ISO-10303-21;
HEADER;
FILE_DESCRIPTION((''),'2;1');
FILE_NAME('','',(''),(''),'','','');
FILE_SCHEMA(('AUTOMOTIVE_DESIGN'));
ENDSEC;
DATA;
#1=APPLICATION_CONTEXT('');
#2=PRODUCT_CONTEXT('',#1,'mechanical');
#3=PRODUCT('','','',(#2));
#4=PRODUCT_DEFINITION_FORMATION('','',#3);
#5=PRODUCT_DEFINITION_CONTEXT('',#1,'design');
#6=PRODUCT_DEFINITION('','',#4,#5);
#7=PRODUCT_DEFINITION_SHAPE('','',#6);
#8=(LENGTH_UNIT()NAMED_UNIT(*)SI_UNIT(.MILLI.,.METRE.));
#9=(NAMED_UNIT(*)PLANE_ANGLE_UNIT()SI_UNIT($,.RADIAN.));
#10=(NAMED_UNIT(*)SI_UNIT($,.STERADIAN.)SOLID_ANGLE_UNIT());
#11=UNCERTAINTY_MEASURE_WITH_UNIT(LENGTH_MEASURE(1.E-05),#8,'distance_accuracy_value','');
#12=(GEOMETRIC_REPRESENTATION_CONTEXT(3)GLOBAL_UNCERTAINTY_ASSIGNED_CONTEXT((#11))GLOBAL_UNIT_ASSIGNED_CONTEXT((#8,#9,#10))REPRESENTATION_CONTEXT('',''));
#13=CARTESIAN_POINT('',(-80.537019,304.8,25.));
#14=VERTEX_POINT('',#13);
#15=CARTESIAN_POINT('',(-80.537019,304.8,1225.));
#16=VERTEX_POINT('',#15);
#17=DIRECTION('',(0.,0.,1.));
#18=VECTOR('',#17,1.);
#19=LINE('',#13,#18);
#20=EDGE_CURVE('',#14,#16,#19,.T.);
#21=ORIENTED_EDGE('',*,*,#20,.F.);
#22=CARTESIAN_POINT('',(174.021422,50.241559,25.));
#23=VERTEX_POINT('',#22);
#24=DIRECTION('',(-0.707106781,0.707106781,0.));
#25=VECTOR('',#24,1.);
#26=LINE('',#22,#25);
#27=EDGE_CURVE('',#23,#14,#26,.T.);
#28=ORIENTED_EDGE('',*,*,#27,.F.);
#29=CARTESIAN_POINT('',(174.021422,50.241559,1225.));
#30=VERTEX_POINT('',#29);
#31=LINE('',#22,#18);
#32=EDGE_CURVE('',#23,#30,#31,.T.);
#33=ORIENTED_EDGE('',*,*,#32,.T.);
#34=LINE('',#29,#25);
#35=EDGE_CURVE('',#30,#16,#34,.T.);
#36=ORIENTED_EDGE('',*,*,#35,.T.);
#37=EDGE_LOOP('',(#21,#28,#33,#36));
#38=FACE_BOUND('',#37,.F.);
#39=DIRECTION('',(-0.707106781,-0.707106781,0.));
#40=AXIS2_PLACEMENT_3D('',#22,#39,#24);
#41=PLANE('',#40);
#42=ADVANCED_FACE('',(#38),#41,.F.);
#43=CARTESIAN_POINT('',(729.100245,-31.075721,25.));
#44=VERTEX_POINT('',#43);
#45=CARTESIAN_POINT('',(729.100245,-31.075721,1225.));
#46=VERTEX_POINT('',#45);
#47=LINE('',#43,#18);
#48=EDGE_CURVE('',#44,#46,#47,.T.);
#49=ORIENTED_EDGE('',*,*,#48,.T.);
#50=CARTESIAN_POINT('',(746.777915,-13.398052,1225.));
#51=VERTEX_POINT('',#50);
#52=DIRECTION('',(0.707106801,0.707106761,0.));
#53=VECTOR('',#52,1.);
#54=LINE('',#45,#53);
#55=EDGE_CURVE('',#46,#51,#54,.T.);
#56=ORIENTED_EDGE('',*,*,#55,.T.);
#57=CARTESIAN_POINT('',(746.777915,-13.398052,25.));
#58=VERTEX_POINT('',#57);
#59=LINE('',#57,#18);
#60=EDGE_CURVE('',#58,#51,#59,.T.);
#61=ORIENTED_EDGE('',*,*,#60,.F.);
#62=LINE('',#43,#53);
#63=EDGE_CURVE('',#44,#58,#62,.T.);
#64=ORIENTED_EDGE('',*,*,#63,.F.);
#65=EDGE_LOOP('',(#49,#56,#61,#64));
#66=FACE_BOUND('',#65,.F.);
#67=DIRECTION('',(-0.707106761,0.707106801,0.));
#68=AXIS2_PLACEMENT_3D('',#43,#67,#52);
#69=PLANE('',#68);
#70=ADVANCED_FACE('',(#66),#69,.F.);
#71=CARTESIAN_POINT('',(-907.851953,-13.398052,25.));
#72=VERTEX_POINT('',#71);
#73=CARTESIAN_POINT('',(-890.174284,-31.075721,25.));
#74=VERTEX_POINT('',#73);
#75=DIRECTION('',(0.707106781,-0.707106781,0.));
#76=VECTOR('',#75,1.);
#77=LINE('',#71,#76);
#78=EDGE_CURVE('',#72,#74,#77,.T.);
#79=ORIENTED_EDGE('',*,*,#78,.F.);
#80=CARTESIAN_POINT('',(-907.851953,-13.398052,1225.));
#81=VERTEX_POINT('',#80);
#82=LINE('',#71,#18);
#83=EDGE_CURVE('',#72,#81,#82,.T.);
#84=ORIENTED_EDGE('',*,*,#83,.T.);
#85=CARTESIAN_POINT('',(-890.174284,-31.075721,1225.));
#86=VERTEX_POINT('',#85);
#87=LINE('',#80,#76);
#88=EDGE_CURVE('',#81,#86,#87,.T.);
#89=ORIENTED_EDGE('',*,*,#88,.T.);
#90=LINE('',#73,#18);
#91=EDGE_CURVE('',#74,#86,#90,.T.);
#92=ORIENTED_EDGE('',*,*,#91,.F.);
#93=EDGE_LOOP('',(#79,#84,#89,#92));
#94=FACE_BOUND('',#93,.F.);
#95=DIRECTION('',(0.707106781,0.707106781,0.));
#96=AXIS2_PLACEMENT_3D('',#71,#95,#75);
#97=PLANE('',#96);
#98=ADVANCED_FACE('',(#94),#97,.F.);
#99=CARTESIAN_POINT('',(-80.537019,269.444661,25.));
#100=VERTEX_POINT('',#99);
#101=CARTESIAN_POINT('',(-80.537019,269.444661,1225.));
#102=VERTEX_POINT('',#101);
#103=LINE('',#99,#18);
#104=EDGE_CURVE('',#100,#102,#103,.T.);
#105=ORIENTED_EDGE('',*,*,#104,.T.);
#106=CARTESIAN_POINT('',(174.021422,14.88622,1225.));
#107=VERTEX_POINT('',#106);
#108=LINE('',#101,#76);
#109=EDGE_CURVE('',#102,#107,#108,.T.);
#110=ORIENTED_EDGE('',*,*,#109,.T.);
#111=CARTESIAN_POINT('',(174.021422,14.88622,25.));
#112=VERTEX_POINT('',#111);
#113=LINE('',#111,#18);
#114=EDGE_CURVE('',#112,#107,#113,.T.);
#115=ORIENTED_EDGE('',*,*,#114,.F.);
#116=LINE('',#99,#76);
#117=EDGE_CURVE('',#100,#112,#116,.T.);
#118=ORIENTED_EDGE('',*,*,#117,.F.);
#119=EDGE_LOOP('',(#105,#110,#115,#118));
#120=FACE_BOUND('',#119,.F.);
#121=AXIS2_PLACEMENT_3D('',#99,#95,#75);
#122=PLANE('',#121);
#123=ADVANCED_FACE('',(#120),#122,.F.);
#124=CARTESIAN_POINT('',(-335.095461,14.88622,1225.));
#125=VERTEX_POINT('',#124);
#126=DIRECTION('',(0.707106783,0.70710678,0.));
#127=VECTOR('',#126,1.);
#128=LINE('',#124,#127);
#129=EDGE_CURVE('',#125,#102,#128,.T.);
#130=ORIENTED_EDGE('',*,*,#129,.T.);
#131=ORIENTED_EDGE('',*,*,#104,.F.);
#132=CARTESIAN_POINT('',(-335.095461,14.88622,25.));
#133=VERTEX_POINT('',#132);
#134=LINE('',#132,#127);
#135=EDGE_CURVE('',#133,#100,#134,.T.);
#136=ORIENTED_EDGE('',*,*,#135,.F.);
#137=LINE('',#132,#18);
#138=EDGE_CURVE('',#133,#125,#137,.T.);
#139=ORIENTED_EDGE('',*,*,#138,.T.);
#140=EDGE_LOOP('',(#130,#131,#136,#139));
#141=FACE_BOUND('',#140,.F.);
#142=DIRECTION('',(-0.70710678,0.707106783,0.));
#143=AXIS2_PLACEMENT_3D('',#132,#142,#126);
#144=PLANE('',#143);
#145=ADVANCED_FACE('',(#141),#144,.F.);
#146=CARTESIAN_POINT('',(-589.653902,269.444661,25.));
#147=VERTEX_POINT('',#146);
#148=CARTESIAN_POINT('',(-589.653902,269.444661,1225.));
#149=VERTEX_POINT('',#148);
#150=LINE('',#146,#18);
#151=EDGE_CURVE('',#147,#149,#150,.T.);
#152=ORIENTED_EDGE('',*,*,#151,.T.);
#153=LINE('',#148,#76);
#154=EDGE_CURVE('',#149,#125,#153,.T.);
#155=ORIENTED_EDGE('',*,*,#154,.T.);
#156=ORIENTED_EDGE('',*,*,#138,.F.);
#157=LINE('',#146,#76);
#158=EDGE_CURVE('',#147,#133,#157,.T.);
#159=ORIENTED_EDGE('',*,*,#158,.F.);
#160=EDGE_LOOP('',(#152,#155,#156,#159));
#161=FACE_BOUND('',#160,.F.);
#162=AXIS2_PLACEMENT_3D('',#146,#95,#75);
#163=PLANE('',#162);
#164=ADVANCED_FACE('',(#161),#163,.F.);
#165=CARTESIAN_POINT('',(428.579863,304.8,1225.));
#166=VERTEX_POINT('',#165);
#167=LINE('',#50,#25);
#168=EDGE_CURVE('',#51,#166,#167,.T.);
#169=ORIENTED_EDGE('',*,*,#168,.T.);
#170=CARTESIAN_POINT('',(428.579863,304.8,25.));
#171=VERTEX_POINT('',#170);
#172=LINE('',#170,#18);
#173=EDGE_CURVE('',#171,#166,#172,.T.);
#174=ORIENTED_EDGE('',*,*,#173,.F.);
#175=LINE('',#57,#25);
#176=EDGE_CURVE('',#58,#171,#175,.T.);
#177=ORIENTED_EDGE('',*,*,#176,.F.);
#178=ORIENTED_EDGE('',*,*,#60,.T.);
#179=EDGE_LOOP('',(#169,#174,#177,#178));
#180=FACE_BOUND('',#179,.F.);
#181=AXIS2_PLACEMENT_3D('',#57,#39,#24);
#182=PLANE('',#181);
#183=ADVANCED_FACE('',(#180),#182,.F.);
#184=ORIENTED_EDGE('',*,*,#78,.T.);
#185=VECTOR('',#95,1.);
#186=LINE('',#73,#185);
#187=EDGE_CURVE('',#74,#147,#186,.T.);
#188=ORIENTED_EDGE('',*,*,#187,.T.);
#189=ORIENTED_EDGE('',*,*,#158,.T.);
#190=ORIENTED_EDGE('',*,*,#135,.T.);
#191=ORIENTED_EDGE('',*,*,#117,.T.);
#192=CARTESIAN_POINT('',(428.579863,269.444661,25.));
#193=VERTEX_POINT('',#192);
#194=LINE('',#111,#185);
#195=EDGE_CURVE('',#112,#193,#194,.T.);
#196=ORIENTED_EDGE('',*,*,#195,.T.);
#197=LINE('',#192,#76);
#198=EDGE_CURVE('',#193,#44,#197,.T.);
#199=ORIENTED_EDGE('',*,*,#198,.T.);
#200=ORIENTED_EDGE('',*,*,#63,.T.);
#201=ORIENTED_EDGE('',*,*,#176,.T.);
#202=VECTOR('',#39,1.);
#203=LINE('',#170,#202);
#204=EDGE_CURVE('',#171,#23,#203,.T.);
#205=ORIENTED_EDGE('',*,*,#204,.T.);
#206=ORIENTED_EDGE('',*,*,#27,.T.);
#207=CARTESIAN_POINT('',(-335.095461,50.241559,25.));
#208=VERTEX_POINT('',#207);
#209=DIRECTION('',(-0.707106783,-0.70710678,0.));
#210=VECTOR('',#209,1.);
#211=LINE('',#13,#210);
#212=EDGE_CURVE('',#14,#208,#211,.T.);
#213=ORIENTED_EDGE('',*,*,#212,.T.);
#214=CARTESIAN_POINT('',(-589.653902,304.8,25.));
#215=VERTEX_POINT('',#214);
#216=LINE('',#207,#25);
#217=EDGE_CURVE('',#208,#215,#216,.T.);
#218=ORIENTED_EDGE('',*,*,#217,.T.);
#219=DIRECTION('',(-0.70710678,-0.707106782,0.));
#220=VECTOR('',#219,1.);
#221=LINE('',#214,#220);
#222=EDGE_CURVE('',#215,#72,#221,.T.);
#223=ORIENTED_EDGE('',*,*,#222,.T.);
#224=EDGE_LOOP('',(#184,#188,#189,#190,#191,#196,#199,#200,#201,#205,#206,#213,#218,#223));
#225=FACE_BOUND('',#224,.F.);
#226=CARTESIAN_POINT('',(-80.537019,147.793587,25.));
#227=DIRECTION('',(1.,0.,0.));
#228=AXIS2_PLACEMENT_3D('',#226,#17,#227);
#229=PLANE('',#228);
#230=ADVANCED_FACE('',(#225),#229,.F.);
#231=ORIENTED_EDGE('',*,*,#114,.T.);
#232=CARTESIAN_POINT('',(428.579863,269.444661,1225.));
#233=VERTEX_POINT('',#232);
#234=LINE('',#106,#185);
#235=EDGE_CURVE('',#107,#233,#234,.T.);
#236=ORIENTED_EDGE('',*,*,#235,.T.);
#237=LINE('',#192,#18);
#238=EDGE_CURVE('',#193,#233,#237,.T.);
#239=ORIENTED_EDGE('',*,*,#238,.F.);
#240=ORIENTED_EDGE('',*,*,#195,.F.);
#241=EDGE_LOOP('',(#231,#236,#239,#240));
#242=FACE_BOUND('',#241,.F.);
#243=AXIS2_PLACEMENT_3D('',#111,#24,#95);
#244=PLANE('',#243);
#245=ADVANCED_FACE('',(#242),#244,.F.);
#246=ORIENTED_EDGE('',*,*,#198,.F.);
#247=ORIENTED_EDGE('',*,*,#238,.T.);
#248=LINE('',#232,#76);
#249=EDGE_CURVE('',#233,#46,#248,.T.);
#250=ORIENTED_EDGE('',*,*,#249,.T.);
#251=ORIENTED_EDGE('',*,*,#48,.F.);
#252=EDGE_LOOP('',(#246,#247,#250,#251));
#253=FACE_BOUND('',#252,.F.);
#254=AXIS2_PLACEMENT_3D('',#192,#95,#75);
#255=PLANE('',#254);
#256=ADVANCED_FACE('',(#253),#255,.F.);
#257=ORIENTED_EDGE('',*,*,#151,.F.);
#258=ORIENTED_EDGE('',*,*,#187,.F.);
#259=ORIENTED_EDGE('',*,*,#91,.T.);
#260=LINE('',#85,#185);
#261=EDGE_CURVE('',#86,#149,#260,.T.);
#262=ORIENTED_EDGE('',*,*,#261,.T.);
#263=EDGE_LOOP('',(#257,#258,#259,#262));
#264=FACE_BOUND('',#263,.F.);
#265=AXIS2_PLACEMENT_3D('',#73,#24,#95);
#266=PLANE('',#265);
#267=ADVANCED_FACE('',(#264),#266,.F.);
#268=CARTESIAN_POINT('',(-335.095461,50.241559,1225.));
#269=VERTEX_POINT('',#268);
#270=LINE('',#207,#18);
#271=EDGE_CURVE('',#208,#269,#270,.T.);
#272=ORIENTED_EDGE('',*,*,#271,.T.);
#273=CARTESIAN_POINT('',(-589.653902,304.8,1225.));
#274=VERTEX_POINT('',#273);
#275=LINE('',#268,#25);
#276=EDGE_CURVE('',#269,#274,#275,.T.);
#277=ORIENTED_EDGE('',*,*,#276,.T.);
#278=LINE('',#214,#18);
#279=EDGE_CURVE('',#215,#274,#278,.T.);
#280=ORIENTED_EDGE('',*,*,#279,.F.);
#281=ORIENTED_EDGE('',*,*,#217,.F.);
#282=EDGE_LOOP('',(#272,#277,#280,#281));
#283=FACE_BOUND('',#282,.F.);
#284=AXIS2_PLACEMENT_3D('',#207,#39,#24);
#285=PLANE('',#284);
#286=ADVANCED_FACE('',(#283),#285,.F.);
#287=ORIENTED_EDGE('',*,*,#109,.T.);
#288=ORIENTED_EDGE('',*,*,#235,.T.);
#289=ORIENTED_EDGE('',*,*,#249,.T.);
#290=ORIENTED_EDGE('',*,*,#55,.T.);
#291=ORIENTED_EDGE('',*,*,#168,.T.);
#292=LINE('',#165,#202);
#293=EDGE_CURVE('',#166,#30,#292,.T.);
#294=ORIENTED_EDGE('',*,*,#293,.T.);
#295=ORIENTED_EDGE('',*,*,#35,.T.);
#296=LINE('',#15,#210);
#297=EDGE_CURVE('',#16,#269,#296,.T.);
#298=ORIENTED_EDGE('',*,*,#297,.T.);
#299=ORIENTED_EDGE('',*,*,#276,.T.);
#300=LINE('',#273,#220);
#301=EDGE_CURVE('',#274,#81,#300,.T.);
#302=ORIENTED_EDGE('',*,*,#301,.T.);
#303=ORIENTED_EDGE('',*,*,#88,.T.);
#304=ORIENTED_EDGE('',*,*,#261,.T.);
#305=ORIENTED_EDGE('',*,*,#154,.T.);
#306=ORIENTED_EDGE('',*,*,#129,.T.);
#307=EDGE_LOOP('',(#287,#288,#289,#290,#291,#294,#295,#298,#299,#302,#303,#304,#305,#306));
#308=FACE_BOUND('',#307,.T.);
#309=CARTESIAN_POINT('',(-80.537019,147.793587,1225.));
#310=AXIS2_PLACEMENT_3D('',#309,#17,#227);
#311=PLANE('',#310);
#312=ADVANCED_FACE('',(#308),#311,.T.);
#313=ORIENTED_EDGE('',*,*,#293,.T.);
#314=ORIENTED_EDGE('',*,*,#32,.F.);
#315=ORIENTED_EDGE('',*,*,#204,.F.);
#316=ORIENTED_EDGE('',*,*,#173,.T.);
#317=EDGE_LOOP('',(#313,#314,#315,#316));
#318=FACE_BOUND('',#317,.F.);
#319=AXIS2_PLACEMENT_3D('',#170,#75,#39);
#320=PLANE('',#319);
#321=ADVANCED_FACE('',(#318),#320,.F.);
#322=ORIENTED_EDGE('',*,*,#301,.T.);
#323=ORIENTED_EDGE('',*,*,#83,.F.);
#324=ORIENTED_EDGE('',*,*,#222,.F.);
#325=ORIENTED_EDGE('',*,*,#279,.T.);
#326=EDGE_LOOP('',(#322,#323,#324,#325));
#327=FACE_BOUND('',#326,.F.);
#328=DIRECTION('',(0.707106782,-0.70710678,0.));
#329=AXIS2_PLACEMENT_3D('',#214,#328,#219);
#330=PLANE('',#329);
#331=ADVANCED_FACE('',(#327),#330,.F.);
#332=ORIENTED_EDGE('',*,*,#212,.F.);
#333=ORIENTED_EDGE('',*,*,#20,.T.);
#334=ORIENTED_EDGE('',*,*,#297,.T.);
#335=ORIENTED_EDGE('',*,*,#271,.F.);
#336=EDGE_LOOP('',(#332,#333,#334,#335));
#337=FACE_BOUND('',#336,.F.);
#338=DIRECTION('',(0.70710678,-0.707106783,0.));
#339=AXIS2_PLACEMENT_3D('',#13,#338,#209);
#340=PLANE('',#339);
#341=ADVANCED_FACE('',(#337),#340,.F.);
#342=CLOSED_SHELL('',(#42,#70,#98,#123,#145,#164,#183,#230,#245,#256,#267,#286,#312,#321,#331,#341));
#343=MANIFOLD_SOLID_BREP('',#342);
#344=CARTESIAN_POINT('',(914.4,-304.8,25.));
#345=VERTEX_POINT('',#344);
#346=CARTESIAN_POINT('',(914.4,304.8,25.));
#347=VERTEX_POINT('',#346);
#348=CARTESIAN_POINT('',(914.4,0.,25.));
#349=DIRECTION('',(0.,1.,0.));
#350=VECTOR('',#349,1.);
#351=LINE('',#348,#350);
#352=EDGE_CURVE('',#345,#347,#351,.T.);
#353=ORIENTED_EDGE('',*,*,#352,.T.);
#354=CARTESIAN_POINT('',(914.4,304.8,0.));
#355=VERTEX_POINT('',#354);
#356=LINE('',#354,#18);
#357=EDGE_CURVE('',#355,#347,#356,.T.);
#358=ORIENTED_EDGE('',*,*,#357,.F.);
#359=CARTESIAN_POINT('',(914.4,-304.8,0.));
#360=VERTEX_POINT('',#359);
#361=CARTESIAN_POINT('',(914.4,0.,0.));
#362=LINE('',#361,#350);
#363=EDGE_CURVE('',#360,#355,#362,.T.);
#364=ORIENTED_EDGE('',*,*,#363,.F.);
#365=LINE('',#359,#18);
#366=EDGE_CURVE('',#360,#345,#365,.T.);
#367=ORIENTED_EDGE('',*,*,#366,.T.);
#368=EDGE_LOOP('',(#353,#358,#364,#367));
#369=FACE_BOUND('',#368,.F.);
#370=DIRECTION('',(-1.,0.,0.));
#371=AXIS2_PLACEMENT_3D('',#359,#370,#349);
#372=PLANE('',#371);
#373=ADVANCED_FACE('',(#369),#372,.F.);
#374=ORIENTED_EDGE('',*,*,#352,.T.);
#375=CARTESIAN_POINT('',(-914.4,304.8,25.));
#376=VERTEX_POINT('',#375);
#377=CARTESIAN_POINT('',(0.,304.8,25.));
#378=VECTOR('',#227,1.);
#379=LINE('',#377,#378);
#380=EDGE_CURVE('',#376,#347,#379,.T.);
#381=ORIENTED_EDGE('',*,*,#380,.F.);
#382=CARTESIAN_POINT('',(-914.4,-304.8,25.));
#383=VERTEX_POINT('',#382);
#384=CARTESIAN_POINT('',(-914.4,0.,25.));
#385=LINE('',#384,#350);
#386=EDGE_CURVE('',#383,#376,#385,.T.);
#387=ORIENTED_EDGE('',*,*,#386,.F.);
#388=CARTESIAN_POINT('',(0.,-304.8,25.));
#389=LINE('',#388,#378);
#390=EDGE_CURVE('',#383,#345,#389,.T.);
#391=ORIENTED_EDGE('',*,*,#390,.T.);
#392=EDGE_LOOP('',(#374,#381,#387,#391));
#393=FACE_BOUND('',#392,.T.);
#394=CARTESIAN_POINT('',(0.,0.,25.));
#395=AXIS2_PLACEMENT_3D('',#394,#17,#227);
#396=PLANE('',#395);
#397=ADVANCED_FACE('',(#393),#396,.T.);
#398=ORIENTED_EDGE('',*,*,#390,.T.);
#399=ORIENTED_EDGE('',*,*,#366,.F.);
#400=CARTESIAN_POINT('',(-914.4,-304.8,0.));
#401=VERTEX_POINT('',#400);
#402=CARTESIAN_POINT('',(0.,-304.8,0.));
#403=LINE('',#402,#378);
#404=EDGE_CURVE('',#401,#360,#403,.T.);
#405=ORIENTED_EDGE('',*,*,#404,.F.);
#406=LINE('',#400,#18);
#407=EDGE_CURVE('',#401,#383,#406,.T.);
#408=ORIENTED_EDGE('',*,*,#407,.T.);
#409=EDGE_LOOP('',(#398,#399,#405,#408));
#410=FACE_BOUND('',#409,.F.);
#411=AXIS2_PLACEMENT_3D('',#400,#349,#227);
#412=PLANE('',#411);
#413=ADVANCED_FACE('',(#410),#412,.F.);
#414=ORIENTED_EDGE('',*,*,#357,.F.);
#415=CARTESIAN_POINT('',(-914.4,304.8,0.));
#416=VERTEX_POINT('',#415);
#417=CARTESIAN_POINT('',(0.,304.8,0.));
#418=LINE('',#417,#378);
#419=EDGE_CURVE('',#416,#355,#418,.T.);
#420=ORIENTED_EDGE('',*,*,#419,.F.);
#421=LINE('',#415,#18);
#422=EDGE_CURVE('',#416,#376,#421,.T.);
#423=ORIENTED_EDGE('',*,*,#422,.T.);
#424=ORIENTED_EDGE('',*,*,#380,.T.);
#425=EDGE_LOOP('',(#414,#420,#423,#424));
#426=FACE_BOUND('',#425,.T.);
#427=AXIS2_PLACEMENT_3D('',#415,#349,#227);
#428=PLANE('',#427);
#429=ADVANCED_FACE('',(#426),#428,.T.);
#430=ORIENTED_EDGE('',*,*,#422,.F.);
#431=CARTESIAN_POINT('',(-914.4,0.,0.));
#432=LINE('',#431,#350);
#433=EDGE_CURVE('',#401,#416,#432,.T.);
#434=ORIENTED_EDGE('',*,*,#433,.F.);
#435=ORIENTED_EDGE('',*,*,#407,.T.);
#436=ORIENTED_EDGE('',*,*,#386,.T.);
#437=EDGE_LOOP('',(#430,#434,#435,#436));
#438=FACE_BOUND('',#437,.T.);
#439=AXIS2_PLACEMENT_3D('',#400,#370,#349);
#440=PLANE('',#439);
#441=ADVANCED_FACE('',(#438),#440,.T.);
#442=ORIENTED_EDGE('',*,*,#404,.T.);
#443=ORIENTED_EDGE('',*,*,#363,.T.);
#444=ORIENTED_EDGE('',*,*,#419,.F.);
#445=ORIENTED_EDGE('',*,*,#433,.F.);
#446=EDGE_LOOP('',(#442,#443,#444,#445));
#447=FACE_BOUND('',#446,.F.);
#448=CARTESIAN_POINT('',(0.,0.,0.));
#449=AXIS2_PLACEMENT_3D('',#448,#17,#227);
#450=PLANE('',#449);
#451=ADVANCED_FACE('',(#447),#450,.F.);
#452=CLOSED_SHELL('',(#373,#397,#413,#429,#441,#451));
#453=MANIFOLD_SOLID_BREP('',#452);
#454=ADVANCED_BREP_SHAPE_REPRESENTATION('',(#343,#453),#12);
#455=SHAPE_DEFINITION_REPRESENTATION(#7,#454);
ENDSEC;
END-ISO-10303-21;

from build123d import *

# Parameters (mm, degrees)
F0_W     = 1828.8
F0_H     = 609.6
F1_DEPTH = 25
F3_DEPTH = 1200


with BuildPart() as f1:
    # F0 (on Top) → F1 (new body)
    with BuildSketch(Plane.XY):
        Rectangle(F0_W, F0_H)
    extrude(amount=F1_DEPTH)


with BuildPart() as f3:
    # F2 (on face) → F3 (new body)
    with BuildSketch(Plane.XY.offset(25)):
        Polygon((-335.095461, 50.241559), (-589.653902, 304.8), (-907.851953, -13.398052), (-890.174284, -31.075721), (-589.653902, 269.444661), (-335.095461, 14.88622), (-80.537019, 269.444661), (174.021422, 14.88622), (428.579863, 269.444661), (729.100245, -31.075721), (746.777915, -13.398052), (428.579863, 304.8), (174.021422, 50.241559), (-80.537019, 304.8), align=None)
    extrude(amount=F3_DEPTH)


solid = Compound([f1.part, f3.part])
